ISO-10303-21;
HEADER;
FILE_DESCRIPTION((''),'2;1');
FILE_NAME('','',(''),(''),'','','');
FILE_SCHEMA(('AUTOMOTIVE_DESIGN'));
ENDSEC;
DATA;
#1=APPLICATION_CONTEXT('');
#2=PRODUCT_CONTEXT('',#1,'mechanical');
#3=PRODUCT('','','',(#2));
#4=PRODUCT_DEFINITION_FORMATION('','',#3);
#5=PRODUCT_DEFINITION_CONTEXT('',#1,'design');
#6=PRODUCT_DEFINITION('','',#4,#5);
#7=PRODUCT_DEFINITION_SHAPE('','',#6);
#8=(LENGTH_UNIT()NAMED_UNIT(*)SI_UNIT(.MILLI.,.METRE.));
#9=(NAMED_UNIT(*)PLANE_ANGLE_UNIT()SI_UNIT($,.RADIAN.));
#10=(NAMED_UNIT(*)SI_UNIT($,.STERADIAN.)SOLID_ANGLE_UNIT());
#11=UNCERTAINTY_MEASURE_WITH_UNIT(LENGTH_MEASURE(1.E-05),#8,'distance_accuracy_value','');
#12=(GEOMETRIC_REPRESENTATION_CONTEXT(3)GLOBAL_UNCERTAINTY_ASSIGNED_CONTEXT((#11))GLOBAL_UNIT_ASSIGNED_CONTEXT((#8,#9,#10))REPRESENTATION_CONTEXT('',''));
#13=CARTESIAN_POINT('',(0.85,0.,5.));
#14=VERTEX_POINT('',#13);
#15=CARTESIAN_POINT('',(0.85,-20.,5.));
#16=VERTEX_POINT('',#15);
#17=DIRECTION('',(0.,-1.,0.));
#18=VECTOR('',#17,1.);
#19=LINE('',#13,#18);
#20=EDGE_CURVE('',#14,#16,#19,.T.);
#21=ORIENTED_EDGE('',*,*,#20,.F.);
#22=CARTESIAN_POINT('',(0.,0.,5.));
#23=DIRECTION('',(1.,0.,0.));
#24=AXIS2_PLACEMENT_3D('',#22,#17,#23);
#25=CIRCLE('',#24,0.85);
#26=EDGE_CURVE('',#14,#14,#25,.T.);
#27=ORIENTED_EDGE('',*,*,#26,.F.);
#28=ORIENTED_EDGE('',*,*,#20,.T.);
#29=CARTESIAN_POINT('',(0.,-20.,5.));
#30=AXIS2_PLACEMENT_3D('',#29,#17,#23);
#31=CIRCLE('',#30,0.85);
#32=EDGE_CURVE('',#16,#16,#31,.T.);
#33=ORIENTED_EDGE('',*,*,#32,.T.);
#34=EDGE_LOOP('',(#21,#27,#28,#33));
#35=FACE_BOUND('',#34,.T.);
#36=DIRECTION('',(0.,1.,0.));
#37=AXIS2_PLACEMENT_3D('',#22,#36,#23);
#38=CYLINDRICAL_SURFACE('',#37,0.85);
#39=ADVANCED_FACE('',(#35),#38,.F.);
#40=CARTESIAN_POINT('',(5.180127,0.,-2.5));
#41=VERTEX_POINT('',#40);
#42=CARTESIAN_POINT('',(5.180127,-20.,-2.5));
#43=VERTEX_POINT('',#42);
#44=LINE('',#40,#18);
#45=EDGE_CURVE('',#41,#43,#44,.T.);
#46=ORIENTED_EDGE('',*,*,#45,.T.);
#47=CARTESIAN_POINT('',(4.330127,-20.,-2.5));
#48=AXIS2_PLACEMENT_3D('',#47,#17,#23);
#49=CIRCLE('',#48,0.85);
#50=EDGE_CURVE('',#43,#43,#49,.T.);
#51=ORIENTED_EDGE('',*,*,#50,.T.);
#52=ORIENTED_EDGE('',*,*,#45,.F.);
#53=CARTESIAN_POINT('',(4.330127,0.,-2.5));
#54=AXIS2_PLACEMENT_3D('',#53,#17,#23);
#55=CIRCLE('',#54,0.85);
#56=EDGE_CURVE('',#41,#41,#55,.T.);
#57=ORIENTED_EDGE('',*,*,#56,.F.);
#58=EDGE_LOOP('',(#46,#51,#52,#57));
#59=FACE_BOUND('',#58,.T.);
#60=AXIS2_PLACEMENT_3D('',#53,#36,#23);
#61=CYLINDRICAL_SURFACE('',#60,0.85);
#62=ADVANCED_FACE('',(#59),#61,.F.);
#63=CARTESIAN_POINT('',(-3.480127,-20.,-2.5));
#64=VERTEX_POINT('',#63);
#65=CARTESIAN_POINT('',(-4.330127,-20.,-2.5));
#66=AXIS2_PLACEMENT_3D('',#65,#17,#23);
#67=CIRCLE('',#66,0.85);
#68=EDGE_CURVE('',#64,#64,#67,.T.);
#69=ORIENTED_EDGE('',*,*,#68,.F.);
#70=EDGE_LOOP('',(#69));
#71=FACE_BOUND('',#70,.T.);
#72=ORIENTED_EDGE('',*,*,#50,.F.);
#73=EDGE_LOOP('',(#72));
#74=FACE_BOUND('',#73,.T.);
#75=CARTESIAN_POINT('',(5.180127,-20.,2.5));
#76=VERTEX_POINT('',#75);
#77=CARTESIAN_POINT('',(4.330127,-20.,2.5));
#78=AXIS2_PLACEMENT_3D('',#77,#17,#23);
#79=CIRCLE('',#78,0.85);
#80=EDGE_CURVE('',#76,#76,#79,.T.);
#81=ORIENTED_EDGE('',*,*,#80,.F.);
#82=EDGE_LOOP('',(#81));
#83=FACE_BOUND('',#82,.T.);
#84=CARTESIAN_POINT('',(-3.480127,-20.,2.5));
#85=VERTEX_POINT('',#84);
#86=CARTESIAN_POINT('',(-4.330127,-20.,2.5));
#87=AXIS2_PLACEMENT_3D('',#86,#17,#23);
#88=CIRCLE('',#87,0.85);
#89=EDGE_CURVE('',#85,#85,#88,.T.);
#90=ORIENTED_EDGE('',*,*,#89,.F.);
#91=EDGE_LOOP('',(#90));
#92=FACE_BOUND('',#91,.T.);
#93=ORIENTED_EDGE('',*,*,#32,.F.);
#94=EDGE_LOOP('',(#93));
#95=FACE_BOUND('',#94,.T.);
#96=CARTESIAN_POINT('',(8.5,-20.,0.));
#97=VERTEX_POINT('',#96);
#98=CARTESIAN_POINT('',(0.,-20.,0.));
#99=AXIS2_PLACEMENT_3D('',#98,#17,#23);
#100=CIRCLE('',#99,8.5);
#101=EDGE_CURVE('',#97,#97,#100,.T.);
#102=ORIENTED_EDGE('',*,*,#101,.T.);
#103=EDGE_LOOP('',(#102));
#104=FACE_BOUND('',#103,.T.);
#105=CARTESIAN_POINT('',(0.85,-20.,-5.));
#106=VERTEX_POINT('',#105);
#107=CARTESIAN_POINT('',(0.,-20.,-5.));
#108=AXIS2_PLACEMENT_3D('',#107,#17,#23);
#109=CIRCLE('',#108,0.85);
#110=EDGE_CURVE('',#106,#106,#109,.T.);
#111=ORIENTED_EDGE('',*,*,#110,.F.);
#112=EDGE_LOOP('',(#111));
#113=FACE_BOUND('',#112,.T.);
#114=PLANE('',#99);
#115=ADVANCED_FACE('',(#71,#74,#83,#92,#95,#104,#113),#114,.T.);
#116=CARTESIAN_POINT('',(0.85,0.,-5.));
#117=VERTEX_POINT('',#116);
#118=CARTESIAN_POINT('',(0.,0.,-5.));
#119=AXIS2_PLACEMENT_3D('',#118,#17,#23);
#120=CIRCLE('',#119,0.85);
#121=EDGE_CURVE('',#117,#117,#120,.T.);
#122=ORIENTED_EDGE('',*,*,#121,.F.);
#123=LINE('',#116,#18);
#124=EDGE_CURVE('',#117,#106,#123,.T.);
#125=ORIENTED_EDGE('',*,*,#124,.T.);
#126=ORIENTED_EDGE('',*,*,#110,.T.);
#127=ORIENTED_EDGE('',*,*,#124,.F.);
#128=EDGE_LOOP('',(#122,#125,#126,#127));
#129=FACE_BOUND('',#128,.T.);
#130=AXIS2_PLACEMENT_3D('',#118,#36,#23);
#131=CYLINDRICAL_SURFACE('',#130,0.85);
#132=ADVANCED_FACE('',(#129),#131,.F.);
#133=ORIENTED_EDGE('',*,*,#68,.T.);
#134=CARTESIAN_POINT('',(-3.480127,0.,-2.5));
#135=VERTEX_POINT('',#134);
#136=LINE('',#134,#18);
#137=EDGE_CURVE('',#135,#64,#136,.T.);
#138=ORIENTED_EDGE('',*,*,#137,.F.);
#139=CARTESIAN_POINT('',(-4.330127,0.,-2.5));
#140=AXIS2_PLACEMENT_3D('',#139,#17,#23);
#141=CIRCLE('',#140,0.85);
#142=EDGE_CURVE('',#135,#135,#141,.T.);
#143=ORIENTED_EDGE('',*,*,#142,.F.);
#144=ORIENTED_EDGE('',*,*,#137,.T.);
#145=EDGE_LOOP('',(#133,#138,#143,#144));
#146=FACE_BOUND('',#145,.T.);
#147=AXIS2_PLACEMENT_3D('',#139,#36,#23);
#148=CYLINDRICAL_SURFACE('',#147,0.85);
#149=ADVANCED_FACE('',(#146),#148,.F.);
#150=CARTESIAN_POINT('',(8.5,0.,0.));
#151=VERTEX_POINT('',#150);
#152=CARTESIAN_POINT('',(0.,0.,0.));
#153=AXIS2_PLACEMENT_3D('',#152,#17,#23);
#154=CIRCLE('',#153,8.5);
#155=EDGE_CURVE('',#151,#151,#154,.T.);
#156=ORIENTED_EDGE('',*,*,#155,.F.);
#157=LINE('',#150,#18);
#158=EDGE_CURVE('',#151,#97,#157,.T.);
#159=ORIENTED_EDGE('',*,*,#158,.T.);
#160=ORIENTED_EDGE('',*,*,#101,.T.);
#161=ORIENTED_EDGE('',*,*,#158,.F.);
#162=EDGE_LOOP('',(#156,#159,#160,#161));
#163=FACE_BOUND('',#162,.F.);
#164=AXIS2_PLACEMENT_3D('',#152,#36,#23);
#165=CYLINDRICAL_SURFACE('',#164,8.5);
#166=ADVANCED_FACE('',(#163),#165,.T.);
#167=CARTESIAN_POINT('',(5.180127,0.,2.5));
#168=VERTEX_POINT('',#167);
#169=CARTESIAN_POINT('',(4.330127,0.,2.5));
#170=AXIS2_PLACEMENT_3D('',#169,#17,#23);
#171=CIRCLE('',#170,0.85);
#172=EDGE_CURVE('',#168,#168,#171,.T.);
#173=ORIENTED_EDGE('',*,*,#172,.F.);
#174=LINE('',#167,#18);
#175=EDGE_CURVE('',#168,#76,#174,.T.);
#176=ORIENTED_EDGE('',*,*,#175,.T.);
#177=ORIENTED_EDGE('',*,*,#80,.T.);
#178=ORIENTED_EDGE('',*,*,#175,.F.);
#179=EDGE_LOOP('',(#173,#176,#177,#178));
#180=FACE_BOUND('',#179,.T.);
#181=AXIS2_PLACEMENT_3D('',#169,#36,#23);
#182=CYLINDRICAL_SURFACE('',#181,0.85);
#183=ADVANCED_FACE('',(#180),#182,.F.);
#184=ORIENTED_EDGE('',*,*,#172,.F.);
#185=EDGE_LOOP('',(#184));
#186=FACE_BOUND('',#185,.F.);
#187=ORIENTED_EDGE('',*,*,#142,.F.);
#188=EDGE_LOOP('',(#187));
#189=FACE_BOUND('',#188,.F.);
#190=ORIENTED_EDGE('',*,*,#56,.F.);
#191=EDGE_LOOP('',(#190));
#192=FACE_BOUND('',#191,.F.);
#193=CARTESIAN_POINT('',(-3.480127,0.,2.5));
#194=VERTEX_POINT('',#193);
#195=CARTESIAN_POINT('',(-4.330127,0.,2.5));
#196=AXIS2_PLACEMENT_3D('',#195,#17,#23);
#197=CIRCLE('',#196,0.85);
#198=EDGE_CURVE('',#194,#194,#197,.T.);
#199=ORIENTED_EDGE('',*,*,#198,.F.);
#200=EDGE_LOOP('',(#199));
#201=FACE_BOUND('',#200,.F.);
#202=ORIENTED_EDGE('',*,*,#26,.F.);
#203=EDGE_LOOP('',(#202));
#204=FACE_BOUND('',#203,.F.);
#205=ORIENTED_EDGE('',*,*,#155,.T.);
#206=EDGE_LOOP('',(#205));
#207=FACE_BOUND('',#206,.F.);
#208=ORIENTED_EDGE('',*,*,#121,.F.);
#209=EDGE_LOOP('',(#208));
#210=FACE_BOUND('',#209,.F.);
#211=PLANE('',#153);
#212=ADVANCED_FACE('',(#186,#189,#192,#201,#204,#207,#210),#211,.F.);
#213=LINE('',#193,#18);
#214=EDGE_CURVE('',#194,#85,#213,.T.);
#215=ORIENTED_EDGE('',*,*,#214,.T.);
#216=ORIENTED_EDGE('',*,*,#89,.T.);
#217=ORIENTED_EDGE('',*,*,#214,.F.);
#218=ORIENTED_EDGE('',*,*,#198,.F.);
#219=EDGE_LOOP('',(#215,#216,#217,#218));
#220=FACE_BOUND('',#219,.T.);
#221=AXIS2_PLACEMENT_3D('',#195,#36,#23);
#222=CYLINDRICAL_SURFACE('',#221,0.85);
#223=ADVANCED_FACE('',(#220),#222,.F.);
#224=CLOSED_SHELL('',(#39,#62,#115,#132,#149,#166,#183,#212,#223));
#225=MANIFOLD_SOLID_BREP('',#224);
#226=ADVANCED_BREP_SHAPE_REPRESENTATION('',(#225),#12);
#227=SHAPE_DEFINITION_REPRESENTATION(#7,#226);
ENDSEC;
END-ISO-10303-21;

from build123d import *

# Parameters (mm, degrees)
F0_R     = 8.5
F0_R_2   = 0.85
F1_DEPTH = 20


with BuildPart() as f1:
    # F0 (on Front) → F1 (new body)
    with BuildSketch(Plane.XZ):
        Circle(F0_R)
        with Locations((-4.330127, -2.5)):
            Circle(F0_R_2, mode=Mode.SUBTRACT)
        with Locations((0, -5)):
            Circle(F0_R_2, mode=Mode.SUBTRACT)
        with Locations((4.330127, -2.5)):
            Circle(F0_R_2, mode=Mode.SUBTRACT)
        with Locations((-4.330127, 2.5)):
            Circle(F0_R_2, mode=Mode.SUBTRACT)
        with Locations((4.330127, 2.5)):
            Circle(F0_R_2, mode=Mode.SUBTRACT)
        with Locations((0, 5)):
            Circle(F0_R_2, mode=Mode.SUBTRACT)
    extrude(amount=F1_DEPTH)


solid = f1.part
